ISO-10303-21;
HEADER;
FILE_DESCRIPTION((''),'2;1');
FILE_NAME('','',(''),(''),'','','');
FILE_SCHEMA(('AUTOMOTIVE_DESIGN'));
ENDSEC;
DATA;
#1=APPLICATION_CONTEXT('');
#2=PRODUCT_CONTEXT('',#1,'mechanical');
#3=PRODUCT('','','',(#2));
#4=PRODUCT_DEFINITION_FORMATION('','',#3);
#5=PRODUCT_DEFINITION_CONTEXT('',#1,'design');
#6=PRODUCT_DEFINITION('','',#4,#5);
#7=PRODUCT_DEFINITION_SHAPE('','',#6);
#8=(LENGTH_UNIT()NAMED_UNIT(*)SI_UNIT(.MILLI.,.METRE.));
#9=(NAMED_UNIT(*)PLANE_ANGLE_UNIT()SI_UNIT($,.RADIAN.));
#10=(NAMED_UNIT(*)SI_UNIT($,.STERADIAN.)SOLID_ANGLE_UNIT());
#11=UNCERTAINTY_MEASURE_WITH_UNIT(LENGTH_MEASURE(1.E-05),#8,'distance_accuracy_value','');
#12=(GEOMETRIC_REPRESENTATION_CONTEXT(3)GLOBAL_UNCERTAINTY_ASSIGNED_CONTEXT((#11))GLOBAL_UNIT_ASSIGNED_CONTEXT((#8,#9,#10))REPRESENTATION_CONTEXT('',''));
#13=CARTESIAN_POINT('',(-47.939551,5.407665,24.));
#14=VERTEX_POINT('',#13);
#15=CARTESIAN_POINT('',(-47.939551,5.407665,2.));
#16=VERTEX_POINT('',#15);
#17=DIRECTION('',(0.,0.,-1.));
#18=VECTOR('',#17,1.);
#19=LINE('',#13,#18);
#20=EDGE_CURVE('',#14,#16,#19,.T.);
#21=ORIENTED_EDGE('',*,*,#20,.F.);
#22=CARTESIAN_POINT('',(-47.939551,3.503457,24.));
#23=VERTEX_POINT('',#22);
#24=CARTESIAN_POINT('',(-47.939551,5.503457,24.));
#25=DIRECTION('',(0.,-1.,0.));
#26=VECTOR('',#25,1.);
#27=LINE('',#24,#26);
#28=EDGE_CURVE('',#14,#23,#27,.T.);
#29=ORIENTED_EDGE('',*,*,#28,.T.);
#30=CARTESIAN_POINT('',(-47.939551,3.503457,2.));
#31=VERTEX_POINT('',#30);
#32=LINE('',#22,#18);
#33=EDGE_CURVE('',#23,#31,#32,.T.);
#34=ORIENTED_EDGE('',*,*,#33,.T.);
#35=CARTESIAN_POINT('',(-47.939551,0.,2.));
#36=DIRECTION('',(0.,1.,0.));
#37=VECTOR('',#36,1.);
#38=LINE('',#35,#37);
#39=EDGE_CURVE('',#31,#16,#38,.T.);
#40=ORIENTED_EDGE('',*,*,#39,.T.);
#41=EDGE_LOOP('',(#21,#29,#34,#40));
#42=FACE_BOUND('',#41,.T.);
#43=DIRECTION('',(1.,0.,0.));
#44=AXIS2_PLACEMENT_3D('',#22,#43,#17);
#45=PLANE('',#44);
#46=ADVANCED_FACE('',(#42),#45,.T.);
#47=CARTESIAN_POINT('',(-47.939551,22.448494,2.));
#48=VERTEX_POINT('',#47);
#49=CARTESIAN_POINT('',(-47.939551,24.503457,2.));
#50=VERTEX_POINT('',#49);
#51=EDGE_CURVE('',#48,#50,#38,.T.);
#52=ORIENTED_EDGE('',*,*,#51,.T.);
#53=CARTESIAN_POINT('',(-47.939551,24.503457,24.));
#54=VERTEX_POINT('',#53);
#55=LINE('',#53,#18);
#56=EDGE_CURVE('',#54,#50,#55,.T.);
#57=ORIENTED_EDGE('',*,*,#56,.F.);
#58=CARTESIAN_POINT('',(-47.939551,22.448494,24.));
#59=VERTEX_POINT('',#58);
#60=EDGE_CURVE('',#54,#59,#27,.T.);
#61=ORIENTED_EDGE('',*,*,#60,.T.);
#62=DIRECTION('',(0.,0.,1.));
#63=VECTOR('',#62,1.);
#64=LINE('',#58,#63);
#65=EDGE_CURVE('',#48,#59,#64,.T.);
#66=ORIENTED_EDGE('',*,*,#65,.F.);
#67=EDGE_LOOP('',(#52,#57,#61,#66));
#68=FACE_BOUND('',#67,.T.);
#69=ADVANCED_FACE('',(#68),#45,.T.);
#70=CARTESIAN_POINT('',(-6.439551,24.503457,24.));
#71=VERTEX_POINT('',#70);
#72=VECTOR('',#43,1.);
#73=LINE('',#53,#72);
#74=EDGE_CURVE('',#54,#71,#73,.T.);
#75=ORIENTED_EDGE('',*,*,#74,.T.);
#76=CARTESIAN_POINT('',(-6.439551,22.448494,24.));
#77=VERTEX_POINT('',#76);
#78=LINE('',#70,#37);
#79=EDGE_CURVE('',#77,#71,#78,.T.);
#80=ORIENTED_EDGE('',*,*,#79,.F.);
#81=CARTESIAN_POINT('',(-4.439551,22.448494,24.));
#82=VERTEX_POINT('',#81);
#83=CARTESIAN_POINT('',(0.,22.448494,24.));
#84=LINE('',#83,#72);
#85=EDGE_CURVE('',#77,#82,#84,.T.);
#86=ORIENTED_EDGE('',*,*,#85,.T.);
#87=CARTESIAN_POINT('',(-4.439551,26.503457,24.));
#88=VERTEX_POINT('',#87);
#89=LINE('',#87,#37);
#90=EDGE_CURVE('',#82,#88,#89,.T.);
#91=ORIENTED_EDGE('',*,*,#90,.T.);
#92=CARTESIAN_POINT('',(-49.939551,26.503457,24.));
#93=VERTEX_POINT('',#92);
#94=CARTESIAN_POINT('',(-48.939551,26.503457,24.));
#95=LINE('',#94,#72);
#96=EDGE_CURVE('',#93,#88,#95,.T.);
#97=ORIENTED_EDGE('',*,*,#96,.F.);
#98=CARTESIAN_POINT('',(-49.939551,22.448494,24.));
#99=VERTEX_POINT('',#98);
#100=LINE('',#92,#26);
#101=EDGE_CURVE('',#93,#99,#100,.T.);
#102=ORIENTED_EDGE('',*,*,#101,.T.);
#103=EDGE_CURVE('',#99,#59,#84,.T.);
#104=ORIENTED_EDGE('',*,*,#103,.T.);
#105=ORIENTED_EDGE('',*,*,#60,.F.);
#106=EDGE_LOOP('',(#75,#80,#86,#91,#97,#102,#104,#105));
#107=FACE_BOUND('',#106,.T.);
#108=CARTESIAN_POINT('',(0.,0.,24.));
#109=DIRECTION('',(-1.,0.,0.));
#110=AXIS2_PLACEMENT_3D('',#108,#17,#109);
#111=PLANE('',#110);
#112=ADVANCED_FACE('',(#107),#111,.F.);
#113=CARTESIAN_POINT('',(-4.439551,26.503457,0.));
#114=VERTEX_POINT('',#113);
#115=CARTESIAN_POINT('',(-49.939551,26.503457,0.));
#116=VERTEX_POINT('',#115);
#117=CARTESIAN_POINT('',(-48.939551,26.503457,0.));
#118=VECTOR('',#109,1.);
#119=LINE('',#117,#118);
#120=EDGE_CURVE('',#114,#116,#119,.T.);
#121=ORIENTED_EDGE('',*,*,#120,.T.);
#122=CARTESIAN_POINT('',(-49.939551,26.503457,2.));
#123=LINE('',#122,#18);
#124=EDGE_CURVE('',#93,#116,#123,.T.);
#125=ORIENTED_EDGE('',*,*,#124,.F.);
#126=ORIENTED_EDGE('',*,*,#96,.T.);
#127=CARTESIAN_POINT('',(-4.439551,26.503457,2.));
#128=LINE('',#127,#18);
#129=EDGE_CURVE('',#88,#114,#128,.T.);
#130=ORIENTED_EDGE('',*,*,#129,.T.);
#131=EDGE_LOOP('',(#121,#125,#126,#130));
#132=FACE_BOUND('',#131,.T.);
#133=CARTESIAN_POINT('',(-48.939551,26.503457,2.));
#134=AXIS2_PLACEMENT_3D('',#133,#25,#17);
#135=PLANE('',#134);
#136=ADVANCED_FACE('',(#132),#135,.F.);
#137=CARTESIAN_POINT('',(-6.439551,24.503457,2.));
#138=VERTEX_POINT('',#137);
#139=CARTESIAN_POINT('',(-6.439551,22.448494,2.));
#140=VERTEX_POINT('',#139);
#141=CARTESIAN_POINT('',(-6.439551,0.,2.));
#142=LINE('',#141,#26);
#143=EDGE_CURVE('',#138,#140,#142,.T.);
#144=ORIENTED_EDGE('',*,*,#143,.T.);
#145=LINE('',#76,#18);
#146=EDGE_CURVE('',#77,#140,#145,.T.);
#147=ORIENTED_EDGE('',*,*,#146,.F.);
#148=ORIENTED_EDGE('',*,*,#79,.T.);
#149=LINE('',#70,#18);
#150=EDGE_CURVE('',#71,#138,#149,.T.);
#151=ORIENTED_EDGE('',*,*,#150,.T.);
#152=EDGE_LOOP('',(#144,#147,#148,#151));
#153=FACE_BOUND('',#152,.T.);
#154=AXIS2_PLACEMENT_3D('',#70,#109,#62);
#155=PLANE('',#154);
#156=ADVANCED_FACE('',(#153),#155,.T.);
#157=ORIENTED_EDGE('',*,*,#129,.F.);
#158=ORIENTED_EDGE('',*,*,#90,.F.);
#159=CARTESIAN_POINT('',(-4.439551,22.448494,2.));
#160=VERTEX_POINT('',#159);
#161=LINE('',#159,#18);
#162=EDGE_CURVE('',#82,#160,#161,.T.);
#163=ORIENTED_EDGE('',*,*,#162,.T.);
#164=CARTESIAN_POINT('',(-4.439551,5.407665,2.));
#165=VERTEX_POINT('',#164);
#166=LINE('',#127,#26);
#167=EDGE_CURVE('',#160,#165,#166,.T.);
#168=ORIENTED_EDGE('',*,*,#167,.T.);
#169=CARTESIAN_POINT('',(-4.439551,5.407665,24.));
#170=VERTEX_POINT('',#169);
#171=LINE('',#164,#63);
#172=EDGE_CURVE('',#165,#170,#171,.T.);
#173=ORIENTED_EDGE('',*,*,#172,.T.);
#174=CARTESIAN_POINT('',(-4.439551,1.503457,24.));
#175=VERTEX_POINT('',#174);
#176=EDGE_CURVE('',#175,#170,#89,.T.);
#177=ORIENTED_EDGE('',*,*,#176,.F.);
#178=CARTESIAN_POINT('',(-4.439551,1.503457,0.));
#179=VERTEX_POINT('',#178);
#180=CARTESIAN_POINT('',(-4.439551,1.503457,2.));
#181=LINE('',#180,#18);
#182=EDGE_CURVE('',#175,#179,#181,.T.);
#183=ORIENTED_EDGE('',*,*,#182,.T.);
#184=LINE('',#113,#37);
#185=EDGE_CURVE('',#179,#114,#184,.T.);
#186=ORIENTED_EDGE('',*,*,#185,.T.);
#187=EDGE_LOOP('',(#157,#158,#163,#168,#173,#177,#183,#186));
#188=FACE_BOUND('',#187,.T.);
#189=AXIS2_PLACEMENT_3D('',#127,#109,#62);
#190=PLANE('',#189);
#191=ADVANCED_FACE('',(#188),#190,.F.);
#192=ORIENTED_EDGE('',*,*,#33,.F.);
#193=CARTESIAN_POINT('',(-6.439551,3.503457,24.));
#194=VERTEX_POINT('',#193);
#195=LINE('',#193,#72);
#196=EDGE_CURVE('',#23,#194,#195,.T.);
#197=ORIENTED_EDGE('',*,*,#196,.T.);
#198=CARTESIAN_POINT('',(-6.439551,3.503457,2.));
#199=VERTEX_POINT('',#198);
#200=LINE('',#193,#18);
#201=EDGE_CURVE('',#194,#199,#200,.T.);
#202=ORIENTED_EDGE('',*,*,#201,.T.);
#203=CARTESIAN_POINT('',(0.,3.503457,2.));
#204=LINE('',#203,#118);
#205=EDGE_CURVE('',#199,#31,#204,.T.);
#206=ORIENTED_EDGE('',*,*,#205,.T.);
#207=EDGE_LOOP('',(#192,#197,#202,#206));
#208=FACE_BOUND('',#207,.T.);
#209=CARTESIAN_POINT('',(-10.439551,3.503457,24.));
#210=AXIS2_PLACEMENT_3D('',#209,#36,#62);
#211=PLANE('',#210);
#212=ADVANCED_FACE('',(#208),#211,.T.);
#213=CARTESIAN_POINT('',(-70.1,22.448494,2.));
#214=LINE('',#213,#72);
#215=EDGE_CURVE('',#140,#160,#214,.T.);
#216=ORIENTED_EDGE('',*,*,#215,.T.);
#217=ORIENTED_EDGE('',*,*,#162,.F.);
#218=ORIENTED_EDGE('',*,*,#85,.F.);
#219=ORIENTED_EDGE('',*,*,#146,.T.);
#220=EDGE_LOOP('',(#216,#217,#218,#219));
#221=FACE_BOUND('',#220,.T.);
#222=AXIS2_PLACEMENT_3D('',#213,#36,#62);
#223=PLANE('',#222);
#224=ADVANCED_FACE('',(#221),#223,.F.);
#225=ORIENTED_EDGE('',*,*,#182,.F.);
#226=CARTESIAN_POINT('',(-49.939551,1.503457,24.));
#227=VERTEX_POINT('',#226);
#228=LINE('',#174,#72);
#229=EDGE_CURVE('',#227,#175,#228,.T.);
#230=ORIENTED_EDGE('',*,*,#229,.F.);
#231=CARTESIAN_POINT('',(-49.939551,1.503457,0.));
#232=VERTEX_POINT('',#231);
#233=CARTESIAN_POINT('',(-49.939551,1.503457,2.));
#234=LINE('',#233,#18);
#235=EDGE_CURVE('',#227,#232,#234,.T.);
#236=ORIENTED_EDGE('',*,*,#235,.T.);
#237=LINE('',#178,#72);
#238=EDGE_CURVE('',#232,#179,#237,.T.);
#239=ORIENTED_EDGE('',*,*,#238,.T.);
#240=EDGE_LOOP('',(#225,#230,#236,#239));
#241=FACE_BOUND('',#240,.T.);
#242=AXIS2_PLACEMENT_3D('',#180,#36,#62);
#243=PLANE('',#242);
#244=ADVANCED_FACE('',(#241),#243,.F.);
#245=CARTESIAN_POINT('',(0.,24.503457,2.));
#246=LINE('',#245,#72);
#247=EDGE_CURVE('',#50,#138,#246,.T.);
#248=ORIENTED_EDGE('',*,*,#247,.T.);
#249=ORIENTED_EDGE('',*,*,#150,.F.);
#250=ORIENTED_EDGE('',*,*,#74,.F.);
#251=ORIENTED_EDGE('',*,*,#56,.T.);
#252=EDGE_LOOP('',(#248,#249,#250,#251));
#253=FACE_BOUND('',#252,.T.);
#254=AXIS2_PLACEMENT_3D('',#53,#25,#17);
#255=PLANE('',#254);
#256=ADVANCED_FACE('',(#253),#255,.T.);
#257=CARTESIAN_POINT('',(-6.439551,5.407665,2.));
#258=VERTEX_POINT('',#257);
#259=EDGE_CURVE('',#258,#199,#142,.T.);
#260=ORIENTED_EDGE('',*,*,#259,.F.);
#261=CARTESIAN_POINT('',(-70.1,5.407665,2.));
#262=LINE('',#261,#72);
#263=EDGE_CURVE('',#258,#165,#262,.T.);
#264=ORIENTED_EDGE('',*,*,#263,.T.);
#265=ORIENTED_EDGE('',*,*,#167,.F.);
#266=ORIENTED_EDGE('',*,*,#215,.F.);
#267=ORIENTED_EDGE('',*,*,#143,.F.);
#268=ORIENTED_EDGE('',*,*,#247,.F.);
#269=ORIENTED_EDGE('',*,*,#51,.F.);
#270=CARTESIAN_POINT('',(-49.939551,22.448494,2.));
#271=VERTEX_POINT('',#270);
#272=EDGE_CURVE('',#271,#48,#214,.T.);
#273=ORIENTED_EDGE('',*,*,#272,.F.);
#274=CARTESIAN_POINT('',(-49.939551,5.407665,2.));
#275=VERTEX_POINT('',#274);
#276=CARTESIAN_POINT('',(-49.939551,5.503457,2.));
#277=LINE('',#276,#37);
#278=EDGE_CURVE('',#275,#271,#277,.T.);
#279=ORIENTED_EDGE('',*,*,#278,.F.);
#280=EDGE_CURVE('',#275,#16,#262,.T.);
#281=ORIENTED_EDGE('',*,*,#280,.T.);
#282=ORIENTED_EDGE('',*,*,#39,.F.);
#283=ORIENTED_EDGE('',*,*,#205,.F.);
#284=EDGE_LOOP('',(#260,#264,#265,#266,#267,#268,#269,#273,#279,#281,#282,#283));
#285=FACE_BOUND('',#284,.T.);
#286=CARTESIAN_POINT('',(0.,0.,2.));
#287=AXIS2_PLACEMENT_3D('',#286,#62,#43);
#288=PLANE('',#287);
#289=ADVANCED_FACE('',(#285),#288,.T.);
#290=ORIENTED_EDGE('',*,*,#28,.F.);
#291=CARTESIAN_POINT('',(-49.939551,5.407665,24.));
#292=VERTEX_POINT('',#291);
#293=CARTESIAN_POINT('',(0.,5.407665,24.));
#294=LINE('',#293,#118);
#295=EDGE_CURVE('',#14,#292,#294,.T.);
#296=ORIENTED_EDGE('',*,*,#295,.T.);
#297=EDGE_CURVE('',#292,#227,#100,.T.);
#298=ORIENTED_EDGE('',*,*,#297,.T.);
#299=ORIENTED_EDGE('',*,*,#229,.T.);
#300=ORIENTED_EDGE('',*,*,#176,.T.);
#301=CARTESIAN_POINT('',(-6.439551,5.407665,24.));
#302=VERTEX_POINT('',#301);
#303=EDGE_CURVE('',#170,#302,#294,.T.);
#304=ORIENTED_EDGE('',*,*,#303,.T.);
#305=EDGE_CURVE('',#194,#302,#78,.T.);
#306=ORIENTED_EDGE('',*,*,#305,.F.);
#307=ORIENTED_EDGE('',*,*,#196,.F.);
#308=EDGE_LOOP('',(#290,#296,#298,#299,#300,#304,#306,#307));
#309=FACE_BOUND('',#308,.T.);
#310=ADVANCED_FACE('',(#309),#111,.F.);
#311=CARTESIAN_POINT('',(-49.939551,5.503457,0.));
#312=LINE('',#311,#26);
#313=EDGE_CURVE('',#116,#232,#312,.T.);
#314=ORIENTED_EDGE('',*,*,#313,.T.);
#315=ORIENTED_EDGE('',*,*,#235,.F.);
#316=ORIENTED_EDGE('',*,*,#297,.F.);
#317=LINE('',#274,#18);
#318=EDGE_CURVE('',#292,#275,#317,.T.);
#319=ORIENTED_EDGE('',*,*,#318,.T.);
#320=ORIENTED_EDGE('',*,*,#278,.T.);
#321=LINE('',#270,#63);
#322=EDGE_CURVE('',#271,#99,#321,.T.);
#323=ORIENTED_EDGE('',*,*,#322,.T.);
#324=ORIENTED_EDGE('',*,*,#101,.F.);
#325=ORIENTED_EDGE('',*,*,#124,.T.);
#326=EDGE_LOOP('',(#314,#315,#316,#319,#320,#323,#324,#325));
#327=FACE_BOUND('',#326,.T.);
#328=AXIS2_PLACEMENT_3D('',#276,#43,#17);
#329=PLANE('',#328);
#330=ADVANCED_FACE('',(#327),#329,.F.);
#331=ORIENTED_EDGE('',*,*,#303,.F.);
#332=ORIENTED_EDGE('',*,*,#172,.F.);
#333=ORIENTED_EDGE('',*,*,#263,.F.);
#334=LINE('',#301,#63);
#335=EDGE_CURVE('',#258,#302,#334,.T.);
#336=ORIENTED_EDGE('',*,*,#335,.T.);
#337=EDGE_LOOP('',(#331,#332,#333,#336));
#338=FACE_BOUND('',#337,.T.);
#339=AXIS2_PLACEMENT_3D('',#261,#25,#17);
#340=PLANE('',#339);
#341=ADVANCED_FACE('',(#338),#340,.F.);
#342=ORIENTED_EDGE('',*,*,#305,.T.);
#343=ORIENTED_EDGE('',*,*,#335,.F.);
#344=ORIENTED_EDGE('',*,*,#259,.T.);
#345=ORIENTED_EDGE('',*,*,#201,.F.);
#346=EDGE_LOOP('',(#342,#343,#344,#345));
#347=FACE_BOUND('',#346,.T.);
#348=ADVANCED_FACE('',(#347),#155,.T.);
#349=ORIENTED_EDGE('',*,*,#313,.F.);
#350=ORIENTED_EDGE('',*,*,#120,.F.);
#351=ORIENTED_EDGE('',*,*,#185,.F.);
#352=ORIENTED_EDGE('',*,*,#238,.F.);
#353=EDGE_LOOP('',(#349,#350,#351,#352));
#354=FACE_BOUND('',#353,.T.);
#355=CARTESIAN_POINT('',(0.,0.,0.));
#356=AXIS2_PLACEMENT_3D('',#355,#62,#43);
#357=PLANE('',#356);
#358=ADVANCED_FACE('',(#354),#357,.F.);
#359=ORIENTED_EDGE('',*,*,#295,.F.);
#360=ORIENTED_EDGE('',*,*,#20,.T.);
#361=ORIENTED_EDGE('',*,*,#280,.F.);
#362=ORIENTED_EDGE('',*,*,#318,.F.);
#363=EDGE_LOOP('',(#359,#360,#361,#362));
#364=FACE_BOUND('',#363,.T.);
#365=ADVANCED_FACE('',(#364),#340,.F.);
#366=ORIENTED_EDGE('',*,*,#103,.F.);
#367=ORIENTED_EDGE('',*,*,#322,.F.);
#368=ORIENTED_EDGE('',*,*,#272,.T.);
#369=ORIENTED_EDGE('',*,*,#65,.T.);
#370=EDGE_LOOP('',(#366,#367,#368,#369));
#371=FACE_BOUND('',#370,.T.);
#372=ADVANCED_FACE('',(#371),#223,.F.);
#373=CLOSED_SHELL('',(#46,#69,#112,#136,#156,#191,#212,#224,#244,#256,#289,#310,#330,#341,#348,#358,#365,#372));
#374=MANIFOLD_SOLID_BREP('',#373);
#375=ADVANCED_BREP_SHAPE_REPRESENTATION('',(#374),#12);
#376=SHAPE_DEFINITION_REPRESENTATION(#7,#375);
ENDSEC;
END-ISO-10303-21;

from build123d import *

# Parameters (mm, degrees)
SALIENTE_EXTRUIR1_DEPTH = 2
SALIENTE_EXTRUIR2_DEPTH = 24
CROQUIS4_W              = 26.838471133
CROQUIS4_H              = 17.040828642
CORTAR_EXTRUIR1_DEPTH   = 70.1
SALIENTE_EXTRUIR3_DEPTH = 2
SALIENTE_EXTRUIR4_DEPTH = 2
CROQUIS7_W              = 45.5
CROQUIS7_H              = 2
SALIENTE_EXTRUIR5_DEPTH = 8
SALIENTE_EXTRUIR6_DEPTH = 6
CROQUIS9_W              = 76.962380363
CROQUIS9_H              = 58.957858246
CORTAR_EXTRUIR2_DEPTH   = 28


with BuildPart() as part:
    # Croquis1 → Saliente-Extruir1 (new body)
    with BuildSketch(Plane.XY):
        Polygon((-48.939551095, 26.503456625), (-8.439551095, 26.503456625), (-4.439551095, 26.503456625), (-4.439551095, 1.503456625), (-8.439551095, 1.503456625), (-49.939551095, 1.503456625), (-49.939551095, 5.503456625), (-49.939551095, 26.503456625), align=None)
    extrude(amount=SALIENTE_EXTRUIR1_DEPTH)

    # Croquis3 → Saliente-Extruir2 (add)
    with BuildSketch(Plane.XY):
        Polygon((-48.939551095, 26.503456625), (-8.439551095, 26.503456625), (-4.439551095, 26.503456625), (-4.439551095, 1.503456625), (-49.939551095, 1.503456625), (-49.939551095, 26.503456625), align=None)
        Polygon((-10.439551095, 3.503456625), (-47.939551095, 3.503456625), (-47.939551095, 5.503456625), (-47.939551095, 24.503456625), (-10.439551095, 24.503456625), (-6.439551095, 24.503456625), (-6.439551095, 3.503456625), align=None, mode=Mode.SUBTRACT)
    extrude(amount=SALIENTE_EXTRUIR2_DEPTH)

    # Croquis4 → Cortar-Extruir1 (cut)
    with BuildSketch(Plane(origin=(0, 0, 0), x_dir=(0, 0, -1), z_dir=(1, 0, 0))):
        with Locations((-15.419235567, 13.92807924)):
            Rectangle(CROQUIS4_W, CROQUIS4_H)
    extrude(amount=-CORTAR_EXTRUIR1_DEPTH, mode=Mode.SUBTRACT)

    # Croquis5 → Saliente-Extruir3 (add)
    with BuildSketch(Plane(origin=(0, 26.503456625, 0), x_dir=(1, 0, 0), z_dir=(0, 1, 0))):
        Polygon((-49.939551095, -20.607192887), (-4.439551095, -20.607192887), (-4.439551095, -36.1), (-8.439551095, -36.1), (-48.939551095, -36.1), (-49.939551095, -36.1), align=None)
    extrude(amount=-SALIENTE_EXTRUIR3_DEPTH)

    # Croquis6 → Saliente-Extruir4 (add)
    with BuildSketch(Plane.XY.offset(36.1)):
        Polygon((-4.439551095, 24.503456625), (-49.939551095, 24.503456625), (-49.939551095, 33.503456625), (-48.939551095, 33.503456625), (-8.439551095, 33.503456625), (-4.439551095, 33.503456625), align=None)
    extrude(amount=-SALIENTE_EXTRUIR4_DEPTH)

    # Croquis7 → Saliente-Extruir5 (add)
    with BuildSketch(Plane.XY.offset(36.1)):
        with Locations((-27.189551095, 32.503456625)):
            Rectangle(CROQUIS7_W, CROQUIS7_H)
    extrude(amount=-SALIENTE_EXTRUIR5_DEPTH)

    # Croquis8 → Saliente-Extruir6 (add)
    with BuildSketch(Plane.XY.offset(36.1)):
        Polygon((-49.939551095, 29.503456625), (-49.939551095, 26.503456625), (-49.715027183, 26.503456625), (-8.439551095, 26.503456625), (-4.439551095, 26.503456625), (-4.439551095, 29.503456625), (-8.439551095, 29.503456625), (-49.715027183, 29.503456625), align=None)
    extrude(amount=-SALIENTE_EXTRUIR6_DEPTH)

    # Croquis9 → Cortar-Extruir2 (cut)
    with BuildSketch(Plane.XY.offset(24)):
        with Locations((-25.38769132, 23.863692023)):
            Rectangle(CROQUIS9_W, CROQUIS9_H)
    extrude(amount=CORTAR_EXTRUIR2_DEPTH, mode=Mode.SUBTRACT)


solid = part.part
